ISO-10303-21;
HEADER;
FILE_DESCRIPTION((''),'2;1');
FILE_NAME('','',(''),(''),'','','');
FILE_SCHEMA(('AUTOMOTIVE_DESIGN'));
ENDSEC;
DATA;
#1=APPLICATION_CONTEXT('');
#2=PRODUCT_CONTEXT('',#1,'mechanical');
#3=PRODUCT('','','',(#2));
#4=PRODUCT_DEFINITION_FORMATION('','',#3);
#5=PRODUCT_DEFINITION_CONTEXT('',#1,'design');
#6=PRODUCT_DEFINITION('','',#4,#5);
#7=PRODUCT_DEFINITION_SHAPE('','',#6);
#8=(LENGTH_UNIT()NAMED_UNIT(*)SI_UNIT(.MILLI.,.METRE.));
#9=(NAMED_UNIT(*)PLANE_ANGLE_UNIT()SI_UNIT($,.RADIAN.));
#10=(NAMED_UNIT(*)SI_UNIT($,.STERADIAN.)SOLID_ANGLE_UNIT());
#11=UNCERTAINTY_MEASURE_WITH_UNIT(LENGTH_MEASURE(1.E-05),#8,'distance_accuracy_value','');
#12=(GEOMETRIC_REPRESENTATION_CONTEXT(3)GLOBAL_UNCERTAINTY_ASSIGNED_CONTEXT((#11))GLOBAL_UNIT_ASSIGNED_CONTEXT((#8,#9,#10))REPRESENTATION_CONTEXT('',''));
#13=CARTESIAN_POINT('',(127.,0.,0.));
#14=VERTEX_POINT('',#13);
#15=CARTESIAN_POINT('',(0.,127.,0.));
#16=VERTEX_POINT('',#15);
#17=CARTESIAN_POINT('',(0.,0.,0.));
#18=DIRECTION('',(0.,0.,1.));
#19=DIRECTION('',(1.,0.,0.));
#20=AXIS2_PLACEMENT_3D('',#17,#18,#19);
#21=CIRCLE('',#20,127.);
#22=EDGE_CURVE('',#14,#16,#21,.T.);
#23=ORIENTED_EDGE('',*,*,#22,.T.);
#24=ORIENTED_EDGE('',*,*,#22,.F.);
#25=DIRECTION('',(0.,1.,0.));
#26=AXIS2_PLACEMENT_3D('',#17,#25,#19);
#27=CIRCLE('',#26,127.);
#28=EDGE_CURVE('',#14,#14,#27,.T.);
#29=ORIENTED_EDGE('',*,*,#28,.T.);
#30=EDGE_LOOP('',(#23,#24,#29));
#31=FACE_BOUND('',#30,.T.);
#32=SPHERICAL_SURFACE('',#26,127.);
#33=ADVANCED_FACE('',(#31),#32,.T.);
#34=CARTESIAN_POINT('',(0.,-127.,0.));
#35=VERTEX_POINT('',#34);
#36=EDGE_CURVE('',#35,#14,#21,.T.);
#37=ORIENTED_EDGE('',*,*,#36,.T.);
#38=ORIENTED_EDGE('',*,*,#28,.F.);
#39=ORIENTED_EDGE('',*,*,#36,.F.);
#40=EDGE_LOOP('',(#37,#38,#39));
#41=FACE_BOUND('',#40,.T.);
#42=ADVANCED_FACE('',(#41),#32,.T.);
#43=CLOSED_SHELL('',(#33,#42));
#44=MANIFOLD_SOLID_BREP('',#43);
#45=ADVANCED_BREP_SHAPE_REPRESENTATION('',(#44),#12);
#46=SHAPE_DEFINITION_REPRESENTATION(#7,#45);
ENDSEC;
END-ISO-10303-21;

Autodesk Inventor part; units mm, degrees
ref_plane "YZ Plane" through (0, 0, 0) normal (1, 0, 0) x (0, 1, 0)
ref_plane "XZ Plane" through (0, 0, 0) normal (0, 1, 0) x (-1, 0, 0)
ref_plane "XY Plane" through (0, 0, 0) normal (0, 0, 1) x (1, 0, 0)
sketch "Sketch1" plane through (0, 0, 0) normal (0, 0, 1) x (1, 0, 0)
  circle A0 centre (0, 0) radius 127
  line L0 (0, -127) -> (0, 127)
  dimension "d0" = 254
revolve "Revolution1" add sketch "Sketch1" angle 360 about axis through (0, -127, 0) along (0, 1, 0) picked at (39.5824, -15.0116) contours A0 L0
properties part number "BALL!"
